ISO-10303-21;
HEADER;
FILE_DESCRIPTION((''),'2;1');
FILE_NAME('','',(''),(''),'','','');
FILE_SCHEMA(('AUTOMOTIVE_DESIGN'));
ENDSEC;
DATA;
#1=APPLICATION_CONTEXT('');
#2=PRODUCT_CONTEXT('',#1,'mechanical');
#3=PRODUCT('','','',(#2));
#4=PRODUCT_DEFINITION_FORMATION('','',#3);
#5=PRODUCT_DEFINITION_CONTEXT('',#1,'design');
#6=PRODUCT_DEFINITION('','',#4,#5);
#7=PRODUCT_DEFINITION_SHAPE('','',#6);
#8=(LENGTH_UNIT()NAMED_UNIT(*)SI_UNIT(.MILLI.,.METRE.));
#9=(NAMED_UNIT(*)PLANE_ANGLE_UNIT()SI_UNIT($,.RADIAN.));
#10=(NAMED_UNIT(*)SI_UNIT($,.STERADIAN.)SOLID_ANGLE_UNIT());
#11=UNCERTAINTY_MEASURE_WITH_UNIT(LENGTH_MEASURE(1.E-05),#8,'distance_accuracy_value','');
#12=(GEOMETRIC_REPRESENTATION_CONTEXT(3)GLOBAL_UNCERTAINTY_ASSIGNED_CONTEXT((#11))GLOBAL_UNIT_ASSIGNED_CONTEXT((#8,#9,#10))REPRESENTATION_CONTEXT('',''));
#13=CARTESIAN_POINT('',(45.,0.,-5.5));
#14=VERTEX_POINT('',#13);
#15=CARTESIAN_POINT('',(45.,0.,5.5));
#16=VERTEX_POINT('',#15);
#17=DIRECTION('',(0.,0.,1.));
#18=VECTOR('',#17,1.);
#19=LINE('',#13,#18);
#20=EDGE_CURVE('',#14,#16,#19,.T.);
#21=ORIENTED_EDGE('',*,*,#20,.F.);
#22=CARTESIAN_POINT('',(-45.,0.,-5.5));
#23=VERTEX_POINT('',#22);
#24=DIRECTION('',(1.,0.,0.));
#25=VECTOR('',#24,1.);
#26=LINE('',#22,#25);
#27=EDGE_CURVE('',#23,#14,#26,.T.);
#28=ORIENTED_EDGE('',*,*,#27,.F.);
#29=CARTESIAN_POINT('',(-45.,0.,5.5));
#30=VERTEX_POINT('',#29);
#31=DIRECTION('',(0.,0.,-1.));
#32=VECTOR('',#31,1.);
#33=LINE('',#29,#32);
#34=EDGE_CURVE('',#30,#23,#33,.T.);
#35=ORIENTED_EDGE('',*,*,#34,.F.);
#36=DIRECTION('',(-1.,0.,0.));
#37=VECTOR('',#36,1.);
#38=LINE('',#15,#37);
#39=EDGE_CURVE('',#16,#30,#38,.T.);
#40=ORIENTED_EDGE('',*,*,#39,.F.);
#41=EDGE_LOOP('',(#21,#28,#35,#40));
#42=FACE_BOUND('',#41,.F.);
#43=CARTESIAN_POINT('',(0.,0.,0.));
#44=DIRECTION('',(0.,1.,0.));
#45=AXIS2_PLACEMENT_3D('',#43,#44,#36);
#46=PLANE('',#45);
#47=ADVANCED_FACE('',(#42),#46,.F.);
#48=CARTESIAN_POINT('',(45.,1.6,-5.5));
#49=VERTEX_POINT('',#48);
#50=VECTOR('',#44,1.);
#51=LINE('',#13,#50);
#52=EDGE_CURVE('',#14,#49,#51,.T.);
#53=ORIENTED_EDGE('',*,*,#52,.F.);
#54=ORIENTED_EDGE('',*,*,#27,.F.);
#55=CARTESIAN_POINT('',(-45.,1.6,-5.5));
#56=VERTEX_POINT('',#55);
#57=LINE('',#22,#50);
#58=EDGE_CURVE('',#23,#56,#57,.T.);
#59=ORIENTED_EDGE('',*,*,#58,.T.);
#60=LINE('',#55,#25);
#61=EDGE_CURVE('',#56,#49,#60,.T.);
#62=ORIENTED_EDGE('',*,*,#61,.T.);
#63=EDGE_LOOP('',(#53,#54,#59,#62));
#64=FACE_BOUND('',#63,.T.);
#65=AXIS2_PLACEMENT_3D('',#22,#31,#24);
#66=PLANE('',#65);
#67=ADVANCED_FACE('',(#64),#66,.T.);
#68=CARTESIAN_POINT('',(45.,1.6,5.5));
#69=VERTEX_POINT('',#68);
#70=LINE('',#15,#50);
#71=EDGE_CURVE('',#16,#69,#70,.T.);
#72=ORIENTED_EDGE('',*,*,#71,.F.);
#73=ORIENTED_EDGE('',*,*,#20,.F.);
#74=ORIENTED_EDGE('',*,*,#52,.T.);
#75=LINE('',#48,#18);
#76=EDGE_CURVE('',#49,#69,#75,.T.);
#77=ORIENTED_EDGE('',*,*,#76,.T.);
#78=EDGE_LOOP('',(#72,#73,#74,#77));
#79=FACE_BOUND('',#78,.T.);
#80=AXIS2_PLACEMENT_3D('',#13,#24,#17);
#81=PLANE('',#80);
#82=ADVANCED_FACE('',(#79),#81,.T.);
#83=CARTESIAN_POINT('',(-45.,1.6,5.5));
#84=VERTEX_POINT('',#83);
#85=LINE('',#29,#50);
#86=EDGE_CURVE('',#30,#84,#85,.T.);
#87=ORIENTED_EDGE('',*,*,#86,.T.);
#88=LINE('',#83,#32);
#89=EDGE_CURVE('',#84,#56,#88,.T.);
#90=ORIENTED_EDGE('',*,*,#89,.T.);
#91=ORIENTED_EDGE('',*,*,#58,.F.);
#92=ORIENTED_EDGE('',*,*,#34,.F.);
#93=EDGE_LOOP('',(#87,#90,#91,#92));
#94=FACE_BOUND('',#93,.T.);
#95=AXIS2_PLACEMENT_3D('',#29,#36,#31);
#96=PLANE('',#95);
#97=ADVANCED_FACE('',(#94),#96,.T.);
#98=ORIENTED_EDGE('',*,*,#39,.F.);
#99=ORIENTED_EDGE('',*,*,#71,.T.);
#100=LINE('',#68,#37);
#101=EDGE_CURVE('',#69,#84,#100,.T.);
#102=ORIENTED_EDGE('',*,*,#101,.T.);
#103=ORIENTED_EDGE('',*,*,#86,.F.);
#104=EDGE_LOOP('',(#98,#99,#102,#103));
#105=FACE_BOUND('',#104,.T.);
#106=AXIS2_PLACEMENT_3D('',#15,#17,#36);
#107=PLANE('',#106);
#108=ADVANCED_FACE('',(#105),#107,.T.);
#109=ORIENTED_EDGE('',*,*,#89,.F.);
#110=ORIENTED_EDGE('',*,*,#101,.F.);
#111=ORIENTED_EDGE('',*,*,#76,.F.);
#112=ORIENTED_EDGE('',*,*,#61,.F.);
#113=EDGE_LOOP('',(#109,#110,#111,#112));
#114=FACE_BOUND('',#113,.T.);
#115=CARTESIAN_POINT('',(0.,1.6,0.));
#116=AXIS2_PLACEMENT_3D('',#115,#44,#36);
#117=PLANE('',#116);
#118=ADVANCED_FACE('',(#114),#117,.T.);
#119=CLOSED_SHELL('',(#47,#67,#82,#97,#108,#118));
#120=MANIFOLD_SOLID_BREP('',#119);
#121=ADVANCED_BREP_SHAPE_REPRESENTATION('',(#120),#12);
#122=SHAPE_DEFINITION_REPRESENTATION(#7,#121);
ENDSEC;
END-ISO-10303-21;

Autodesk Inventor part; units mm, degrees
ref_plane "YZ Plane" through (0, 0, 0) normal (1, 0, 0) x (0, 1, 0)
ref_plane "XZ Plane" through (0, 0, 0) normal (0, 1, 0) x (-1, 0, 0)
ref_plane "XY Plane" through (0, 0, 0) normal (0, 0, 1) x (1, 0, 0)
sketch "Sketch1" plane through (0, 0, 0) normal (0, 1, 0) x (-1, 0, 0)
  line L0 (-45, 5.5) -> (45, 5.5)
  line L1 (45, 5.5) -> (45, -5.5)
  line L2 (45, -5.5) -> (-45, -5.5)
  line L3 (-45, -5.5) -> (-45, 5.5)
  line L4 (-45, 5.5) -> (45, -5.5) construction
  line L5 (45, 5.5) -> (-45, -5.5) construction
  point P0 (0, 0)
  dimension "d0" = 90
  dimension "d1" = 11
extrude "Extrusion1" add sketch "Sketch1" along normal blind 1.6
properties part number "SensorBoard"
